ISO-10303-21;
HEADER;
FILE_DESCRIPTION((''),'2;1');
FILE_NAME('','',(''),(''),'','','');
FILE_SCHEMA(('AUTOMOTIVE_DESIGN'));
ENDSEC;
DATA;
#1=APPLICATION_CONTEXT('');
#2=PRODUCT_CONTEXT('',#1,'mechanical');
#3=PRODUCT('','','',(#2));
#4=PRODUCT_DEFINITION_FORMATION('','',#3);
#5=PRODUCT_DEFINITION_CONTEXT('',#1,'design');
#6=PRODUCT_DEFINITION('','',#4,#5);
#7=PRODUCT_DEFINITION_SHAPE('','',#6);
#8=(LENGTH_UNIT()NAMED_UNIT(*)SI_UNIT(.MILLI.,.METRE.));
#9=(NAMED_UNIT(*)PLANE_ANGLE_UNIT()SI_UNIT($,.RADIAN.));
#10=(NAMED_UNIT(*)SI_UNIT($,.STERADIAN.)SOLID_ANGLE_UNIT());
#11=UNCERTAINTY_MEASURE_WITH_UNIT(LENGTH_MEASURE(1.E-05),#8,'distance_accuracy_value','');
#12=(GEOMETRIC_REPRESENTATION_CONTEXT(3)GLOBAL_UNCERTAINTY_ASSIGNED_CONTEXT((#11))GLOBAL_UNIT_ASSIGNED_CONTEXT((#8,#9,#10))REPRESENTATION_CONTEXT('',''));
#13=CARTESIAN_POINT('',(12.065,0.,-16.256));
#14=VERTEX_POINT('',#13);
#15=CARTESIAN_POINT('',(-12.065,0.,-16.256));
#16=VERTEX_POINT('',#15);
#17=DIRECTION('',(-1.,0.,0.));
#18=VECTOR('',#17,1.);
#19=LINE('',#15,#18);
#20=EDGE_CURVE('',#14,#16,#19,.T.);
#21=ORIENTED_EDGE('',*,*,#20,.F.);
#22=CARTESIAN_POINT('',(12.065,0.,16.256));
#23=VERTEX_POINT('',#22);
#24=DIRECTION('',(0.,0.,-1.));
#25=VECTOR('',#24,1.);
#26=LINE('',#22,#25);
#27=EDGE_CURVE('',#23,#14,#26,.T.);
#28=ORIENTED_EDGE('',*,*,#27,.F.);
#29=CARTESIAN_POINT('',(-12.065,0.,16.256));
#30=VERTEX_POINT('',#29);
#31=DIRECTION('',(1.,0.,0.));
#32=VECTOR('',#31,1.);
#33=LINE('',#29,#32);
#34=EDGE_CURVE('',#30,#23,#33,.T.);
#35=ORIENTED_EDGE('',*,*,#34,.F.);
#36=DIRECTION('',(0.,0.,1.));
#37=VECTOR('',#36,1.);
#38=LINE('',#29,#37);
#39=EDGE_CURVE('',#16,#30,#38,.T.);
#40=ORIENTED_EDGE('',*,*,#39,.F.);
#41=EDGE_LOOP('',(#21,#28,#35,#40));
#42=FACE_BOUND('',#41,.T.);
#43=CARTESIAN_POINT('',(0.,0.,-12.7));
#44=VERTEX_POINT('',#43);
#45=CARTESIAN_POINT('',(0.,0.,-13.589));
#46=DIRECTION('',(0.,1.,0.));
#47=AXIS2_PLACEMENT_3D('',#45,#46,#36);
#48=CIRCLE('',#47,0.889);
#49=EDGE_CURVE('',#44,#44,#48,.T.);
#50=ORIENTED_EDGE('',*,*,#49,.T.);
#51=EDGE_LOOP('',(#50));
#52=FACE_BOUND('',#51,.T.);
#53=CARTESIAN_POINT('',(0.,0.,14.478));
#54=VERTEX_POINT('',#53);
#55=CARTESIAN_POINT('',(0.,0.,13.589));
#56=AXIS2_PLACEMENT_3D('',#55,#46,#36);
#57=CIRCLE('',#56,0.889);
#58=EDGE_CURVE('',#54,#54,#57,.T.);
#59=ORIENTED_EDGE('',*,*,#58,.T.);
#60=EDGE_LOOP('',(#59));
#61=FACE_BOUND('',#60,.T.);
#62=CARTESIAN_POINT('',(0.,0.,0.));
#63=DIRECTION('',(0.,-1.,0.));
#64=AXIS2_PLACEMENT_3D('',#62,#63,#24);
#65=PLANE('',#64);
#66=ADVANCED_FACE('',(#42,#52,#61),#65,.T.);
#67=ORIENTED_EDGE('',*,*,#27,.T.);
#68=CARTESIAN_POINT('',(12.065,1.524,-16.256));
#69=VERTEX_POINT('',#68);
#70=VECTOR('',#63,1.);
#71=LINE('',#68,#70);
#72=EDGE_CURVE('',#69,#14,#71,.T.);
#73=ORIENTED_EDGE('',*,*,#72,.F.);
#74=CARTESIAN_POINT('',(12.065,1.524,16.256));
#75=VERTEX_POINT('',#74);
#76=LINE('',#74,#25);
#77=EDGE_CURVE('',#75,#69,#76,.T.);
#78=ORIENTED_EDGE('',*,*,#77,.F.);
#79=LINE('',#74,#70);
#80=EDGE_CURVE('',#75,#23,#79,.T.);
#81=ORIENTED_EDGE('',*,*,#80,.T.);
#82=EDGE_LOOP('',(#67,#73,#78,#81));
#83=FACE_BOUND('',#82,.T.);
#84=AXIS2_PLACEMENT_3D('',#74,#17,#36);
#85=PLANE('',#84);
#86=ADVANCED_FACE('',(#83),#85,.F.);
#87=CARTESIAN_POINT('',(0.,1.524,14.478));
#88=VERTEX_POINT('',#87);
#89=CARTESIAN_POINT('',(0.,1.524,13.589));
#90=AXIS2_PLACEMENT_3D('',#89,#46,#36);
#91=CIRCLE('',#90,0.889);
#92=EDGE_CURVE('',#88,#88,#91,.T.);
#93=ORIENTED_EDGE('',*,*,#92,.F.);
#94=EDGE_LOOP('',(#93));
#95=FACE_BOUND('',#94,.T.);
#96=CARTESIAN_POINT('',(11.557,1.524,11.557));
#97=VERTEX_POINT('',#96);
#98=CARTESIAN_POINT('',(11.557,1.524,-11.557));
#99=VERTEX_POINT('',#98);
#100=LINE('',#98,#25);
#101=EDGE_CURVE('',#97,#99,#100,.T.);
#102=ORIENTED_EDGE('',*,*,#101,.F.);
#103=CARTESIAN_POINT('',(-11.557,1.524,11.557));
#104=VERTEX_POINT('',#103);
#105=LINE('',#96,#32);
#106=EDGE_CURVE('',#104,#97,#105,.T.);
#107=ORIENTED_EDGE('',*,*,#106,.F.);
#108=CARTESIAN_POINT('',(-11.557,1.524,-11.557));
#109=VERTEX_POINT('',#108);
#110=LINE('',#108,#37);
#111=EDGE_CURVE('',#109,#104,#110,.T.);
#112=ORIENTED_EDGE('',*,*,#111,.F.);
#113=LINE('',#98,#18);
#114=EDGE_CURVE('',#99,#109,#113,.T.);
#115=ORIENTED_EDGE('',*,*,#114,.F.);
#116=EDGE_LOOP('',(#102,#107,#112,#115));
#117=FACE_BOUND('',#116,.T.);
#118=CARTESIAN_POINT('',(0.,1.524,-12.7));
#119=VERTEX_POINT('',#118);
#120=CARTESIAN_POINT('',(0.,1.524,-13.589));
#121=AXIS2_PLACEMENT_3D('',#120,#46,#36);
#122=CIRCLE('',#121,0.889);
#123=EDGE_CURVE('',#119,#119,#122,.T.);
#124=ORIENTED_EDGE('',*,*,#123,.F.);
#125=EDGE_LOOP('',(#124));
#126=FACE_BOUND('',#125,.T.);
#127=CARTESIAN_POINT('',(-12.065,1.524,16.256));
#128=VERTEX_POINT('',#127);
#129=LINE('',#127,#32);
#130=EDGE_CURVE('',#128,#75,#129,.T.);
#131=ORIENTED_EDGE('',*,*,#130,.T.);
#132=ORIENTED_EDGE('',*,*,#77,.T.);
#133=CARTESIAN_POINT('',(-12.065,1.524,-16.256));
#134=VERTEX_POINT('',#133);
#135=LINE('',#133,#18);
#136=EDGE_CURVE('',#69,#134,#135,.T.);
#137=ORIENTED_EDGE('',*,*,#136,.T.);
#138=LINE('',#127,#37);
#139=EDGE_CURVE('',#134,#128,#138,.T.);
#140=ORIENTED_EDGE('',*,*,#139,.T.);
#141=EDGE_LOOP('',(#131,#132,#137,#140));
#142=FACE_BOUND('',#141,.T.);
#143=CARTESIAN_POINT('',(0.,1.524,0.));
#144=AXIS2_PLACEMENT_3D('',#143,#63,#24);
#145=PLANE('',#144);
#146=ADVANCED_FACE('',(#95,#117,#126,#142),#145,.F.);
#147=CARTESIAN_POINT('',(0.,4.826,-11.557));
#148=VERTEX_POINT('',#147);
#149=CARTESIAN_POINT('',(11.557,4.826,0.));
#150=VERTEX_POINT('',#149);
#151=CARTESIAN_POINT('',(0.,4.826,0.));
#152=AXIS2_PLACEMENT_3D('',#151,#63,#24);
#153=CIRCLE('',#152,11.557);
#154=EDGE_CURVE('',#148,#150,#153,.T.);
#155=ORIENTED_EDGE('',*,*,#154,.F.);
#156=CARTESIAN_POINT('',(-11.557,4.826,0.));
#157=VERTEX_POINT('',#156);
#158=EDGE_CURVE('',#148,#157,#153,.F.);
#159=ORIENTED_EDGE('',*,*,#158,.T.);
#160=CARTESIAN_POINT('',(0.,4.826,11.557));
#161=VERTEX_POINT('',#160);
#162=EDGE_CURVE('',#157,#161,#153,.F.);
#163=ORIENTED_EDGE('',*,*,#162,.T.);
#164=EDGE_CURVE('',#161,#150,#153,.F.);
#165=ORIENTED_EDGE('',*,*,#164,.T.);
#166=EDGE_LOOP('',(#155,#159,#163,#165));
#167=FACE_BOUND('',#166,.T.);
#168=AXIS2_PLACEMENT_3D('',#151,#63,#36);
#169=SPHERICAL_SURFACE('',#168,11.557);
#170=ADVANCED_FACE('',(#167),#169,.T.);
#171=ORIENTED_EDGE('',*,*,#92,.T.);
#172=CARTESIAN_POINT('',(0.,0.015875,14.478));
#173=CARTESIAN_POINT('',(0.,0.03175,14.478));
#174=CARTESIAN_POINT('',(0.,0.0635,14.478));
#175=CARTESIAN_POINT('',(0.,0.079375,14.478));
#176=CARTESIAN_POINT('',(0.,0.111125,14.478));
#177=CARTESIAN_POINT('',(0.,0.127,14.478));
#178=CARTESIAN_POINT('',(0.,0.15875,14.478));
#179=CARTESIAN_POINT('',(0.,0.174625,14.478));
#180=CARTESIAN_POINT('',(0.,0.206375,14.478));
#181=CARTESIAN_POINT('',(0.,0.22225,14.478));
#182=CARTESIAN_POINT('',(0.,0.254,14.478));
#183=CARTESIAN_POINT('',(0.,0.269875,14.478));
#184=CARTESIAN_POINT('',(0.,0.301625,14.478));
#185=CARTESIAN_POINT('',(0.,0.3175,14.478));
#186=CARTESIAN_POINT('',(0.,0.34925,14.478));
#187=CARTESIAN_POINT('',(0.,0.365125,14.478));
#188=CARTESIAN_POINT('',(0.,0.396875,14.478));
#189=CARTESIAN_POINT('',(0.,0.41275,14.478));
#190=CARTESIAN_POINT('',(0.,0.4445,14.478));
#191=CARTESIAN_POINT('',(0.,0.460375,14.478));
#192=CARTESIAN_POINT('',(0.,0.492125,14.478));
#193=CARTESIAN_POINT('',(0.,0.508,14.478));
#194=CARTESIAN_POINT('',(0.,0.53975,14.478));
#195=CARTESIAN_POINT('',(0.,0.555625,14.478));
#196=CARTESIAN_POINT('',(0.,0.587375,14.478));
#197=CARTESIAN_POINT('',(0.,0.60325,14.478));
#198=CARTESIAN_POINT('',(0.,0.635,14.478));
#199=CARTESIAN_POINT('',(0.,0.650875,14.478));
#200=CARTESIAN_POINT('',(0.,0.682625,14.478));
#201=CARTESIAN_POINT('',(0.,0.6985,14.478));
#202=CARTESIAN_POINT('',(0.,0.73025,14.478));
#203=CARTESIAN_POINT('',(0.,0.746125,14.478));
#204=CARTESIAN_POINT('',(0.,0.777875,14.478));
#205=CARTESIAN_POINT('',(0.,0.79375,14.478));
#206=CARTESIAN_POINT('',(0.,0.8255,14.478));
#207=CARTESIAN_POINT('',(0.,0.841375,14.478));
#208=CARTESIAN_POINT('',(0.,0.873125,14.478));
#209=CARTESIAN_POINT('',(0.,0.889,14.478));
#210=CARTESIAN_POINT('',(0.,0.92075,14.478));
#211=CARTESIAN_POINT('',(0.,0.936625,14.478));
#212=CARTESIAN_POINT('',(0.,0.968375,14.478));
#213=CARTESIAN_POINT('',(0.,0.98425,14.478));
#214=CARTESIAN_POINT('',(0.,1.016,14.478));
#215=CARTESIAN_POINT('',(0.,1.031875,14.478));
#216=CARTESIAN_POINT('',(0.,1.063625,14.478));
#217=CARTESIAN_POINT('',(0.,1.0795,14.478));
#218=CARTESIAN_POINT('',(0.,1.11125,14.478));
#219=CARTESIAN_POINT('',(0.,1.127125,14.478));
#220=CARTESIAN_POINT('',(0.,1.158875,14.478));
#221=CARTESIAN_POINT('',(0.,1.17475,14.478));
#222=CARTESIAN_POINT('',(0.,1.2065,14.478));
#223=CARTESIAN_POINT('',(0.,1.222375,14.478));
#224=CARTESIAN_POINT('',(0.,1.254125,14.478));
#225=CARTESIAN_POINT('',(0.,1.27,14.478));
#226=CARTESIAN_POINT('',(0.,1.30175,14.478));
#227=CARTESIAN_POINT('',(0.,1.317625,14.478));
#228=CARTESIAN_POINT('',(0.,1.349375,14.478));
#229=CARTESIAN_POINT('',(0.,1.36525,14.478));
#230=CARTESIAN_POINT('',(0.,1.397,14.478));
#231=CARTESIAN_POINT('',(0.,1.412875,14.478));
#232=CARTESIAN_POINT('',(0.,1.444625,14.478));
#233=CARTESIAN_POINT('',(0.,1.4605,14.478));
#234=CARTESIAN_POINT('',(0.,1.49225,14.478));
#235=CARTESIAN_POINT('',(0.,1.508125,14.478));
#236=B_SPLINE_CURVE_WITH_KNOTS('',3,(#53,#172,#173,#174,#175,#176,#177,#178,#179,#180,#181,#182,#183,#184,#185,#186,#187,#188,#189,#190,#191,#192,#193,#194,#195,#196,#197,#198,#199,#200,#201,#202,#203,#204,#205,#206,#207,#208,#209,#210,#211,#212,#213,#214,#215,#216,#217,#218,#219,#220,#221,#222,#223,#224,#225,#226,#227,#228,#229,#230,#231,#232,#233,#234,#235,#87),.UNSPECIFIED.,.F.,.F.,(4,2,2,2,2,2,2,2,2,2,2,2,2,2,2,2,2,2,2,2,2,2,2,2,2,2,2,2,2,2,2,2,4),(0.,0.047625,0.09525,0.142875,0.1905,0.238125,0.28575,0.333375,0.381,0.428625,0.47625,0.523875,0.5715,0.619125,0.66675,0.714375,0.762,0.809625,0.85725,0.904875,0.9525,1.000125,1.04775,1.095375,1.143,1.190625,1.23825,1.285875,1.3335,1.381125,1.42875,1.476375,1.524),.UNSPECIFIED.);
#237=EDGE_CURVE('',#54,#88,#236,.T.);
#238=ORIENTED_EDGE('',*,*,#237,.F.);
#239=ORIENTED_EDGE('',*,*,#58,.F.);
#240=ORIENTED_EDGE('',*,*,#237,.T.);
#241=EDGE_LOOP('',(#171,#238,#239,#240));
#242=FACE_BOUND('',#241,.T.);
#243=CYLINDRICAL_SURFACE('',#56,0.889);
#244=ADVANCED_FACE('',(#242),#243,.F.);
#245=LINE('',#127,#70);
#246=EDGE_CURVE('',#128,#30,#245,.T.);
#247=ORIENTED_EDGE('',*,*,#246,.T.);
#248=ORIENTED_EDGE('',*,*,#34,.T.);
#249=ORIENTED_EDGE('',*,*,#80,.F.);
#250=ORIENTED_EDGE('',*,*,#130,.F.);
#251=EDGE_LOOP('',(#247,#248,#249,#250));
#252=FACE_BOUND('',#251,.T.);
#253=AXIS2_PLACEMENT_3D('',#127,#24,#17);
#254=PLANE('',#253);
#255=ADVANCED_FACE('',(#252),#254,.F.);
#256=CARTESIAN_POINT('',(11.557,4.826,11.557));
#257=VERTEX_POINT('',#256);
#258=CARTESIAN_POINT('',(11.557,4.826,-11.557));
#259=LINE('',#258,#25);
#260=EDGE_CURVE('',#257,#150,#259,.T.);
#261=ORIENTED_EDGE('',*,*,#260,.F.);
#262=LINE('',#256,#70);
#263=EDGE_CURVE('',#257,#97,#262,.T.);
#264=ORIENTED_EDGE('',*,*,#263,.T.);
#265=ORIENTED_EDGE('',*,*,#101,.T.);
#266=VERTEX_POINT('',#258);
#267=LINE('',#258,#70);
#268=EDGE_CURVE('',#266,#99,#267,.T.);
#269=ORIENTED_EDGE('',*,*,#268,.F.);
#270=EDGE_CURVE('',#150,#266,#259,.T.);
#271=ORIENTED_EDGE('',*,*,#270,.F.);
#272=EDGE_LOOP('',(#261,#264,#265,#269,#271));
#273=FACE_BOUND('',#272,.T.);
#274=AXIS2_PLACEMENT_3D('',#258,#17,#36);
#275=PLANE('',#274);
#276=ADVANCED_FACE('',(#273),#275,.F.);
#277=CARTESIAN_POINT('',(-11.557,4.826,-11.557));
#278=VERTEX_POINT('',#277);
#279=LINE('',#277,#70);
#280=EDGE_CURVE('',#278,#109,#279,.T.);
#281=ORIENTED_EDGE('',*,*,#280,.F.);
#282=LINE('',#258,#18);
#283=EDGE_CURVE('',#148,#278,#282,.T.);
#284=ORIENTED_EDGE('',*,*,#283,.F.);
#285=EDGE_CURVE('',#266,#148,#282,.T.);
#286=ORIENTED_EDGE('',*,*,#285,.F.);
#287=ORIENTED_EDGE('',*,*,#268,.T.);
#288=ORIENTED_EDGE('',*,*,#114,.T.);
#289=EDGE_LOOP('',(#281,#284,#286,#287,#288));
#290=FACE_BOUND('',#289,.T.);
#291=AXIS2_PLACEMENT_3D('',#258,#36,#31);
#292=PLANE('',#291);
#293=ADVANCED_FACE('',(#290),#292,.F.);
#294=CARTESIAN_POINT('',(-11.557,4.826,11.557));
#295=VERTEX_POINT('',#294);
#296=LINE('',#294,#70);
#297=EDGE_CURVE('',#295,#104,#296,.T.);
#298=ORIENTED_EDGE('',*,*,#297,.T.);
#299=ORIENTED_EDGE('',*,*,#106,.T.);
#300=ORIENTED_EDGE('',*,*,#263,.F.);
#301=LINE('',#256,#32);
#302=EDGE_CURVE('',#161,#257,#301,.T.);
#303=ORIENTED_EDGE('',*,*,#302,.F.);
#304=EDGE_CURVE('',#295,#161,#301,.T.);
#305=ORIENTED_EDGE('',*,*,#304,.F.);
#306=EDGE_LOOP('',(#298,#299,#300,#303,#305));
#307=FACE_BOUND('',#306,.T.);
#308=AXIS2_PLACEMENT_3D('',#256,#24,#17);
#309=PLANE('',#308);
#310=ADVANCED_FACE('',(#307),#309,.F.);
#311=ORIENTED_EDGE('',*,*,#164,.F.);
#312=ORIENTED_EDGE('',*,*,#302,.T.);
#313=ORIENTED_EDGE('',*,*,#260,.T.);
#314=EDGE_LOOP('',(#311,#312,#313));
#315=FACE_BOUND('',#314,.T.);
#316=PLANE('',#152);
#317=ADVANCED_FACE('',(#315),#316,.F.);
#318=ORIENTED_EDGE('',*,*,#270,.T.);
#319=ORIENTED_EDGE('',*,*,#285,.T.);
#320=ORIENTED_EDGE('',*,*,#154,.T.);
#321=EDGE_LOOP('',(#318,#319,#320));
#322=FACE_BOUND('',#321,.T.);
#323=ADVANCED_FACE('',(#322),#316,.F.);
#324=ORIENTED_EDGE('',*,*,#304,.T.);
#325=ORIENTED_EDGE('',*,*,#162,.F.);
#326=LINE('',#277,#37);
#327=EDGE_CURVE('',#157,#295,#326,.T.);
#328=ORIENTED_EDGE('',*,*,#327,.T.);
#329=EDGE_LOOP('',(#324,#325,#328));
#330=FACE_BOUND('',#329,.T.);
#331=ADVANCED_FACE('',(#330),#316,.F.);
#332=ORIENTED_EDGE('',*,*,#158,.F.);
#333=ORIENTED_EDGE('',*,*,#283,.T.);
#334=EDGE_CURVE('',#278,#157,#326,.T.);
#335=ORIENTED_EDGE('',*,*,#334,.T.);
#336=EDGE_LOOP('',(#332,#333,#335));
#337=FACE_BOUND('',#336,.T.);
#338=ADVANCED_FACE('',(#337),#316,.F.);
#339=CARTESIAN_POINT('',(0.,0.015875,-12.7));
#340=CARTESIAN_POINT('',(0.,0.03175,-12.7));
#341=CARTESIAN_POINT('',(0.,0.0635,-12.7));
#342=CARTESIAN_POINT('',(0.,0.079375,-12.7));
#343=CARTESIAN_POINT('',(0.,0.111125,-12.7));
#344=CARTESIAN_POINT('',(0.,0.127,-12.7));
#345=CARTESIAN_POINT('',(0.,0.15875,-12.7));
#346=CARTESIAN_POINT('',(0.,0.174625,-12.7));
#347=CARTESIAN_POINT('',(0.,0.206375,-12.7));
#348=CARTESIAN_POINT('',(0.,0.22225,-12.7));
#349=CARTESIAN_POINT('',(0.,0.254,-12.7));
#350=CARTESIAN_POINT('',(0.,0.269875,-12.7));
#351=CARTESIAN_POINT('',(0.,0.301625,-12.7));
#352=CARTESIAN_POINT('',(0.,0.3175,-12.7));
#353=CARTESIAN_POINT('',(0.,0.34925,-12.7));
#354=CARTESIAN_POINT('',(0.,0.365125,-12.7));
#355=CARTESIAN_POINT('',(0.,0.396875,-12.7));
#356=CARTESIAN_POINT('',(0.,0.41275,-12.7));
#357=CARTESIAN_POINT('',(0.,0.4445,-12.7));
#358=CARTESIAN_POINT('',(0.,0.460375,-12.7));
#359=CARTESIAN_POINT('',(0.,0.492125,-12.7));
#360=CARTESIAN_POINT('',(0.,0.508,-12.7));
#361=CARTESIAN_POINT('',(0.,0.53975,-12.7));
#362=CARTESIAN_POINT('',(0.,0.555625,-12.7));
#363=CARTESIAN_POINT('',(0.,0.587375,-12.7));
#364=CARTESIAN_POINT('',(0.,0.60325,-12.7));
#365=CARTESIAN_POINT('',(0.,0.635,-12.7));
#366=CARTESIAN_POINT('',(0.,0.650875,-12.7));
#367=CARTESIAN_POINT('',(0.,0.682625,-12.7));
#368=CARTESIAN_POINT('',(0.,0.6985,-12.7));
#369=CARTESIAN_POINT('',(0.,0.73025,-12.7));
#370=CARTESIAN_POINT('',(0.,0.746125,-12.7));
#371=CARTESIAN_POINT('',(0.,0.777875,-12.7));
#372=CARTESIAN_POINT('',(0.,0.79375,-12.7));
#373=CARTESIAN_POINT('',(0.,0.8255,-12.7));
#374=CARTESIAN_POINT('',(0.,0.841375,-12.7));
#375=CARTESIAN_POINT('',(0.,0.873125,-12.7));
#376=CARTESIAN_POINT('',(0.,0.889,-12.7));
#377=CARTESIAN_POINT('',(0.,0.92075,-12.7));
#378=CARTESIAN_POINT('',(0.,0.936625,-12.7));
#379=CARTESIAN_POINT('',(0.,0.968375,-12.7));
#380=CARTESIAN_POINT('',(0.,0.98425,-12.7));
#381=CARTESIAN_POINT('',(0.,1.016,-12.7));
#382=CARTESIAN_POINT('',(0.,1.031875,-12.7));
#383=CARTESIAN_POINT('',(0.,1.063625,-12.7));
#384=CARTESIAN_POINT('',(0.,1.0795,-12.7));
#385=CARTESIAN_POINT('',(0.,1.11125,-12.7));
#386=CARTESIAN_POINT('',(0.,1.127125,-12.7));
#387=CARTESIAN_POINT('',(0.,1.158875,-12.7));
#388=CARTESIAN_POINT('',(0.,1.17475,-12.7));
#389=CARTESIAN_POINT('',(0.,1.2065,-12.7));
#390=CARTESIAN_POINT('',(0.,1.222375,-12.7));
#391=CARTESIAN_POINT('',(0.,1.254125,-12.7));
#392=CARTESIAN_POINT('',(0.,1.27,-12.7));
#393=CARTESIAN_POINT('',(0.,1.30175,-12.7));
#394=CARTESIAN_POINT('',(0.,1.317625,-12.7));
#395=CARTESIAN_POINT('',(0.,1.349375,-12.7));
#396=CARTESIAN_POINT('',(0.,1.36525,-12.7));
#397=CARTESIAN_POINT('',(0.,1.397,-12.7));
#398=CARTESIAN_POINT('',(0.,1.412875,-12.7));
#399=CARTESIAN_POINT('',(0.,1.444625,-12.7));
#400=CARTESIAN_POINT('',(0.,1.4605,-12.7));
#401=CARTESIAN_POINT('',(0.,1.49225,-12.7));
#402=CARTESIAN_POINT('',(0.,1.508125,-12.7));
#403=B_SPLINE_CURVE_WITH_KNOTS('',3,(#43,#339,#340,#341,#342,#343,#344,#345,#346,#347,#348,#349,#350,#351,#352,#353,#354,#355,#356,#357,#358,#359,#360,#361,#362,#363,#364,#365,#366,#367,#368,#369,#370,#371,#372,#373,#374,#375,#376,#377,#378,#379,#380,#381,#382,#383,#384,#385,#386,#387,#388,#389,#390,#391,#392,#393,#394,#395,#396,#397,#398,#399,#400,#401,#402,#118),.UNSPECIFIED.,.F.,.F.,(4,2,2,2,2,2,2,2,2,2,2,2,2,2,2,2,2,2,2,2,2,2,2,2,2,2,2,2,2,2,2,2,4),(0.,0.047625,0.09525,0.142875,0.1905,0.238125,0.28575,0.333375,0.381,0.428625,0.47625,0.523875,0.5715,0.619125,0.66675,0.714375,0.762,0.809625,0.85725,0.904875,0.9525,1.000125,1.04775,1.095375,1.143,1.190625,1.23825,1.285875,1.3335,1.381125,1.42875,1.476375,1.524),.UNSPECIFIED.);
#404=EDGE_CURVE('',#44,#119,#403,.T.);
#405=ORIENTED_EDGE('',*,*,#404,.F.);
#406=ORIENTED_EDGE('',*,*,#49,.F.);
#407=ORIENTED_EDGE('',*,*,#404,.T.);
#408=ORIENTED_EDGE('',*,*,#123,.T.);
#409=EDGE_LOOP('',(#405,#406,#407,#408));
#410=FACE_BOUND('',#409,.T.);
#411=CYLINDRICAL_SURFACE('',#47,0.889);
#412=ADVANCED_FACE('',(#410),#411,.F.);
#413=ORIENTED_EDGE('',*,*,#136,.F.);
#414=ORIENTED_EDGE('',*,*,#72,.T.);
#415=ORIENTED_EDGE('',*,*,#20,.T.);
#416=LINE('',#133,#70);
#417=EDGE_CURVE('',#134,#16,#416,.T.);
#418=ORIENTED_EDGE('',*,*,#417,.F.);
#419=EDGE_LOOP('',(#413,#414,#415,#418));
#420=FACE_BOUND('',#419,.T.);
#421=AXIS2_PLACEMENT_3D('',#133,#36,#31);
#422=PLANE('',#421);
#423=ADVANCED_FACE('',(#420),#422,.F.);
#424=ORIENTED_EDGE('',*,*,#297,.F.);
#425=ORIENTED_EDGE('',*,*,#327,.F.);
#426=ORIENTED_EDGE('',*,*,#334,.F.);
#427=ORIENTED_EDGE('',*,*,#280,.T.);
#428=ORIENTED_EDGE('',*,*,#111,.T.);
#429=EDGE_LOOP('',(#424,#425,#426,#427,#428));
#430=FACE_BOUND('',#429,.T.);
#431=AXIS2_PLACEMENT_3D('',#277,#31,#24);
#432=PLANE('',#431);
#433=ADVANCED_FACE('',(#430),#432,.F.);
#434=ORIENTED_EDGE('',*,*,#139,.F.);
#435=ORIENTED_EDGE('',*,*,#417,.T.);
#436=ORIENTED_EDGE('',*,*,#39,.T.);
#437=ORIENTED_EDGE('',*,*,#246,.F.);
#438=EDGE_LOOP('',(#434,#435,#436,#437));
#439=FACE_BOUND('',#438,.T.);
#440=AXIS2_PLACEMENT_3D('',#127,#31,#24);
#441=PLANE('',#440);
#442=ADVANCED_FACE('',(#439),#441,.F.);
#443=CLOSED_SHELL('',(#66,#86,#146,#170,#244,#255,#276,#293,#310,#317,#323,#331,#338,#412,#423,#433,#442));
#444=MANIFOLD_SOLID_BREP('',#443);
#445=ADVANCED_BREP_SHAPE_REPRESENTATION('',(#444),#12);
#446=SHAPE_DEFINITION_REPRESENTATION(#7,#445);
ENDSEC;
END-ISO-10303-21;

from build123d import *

# Parameters (mm, degrees)
SKETCH1_W           = 24.13
SKETCH1_H           = 32.512
BOSS_EXTRUDE1_DEPTH = 1.524
SKETCH2_W           = 23.114
SKETCH2_H           = 23.114
BOSS_EXTRUDE2_DEPTH = 3.302
SKETCH5_R           = 0.889
CUT_EXTRUDE1_DEPTH  = 26.11198204


with BuildPart() as part:
    # Sketch1 → Boss-Extrude1 (new body)
    with BuildSketch(Plane(origin=(0, 0, 0), x_dir=(1, 0, 0), z_dir=(0, 1, 0))):
        Rectangle(SKETCH1_W, SKETCH1_H)
    extrude(amount=BOSS_EXTRUDE1_DEPTH)

    # Sketch2 → Boss-Extrude2 (add)
    with BuildSketch(Plane(origin=(0, 1.524, 0), x_dir=(1, 0, 0), z_dir=(0, 1, 0))):
        Rectangle(SKETCH2_W, SKETCH2_H)
    extrude(amount=BOSS_EXTRUDE2_DEPTH)

    # Sketch4 → Revolve1 (revolve)
    with BuildSketch(Plane(origin=(0, 0, 0), x_dir=(0, 0, -1), z_dir=(1, 0, 0))):
        with BuildLine():
            Line((0, 4.826), (0, 16.383))
            ThreePointArc((0, 16.383), (-8.17203307, 12.99803307), (-11.557, 4.826))
            Line((-11.557, 4.826), (0, 4.826))
        make_face()
    revolve(axis=Axis((0, 4.826, 0), (0, 1, 0)))

    # Sketch5 → Cut-Extrude1 (cut, through all)
    with BuildSketch(Plane(origin=(0, 1.524, 0), x_dir=(1, 0, 0), z_dir=(0, 1, 0))):
        with Locations(Location((0, -13.589, 0), (0, 0, 270))):
            Circle(SKETCH5_R)
        with Locations(Location((0, 13.589, 0), (0, 0, 270))):
            Circle(SKETCH5_R)
    extrude(amount=-CUT_EXTRUDE1_DEPTH, mode=Mode.SUBTRACT)


solid = part.part
